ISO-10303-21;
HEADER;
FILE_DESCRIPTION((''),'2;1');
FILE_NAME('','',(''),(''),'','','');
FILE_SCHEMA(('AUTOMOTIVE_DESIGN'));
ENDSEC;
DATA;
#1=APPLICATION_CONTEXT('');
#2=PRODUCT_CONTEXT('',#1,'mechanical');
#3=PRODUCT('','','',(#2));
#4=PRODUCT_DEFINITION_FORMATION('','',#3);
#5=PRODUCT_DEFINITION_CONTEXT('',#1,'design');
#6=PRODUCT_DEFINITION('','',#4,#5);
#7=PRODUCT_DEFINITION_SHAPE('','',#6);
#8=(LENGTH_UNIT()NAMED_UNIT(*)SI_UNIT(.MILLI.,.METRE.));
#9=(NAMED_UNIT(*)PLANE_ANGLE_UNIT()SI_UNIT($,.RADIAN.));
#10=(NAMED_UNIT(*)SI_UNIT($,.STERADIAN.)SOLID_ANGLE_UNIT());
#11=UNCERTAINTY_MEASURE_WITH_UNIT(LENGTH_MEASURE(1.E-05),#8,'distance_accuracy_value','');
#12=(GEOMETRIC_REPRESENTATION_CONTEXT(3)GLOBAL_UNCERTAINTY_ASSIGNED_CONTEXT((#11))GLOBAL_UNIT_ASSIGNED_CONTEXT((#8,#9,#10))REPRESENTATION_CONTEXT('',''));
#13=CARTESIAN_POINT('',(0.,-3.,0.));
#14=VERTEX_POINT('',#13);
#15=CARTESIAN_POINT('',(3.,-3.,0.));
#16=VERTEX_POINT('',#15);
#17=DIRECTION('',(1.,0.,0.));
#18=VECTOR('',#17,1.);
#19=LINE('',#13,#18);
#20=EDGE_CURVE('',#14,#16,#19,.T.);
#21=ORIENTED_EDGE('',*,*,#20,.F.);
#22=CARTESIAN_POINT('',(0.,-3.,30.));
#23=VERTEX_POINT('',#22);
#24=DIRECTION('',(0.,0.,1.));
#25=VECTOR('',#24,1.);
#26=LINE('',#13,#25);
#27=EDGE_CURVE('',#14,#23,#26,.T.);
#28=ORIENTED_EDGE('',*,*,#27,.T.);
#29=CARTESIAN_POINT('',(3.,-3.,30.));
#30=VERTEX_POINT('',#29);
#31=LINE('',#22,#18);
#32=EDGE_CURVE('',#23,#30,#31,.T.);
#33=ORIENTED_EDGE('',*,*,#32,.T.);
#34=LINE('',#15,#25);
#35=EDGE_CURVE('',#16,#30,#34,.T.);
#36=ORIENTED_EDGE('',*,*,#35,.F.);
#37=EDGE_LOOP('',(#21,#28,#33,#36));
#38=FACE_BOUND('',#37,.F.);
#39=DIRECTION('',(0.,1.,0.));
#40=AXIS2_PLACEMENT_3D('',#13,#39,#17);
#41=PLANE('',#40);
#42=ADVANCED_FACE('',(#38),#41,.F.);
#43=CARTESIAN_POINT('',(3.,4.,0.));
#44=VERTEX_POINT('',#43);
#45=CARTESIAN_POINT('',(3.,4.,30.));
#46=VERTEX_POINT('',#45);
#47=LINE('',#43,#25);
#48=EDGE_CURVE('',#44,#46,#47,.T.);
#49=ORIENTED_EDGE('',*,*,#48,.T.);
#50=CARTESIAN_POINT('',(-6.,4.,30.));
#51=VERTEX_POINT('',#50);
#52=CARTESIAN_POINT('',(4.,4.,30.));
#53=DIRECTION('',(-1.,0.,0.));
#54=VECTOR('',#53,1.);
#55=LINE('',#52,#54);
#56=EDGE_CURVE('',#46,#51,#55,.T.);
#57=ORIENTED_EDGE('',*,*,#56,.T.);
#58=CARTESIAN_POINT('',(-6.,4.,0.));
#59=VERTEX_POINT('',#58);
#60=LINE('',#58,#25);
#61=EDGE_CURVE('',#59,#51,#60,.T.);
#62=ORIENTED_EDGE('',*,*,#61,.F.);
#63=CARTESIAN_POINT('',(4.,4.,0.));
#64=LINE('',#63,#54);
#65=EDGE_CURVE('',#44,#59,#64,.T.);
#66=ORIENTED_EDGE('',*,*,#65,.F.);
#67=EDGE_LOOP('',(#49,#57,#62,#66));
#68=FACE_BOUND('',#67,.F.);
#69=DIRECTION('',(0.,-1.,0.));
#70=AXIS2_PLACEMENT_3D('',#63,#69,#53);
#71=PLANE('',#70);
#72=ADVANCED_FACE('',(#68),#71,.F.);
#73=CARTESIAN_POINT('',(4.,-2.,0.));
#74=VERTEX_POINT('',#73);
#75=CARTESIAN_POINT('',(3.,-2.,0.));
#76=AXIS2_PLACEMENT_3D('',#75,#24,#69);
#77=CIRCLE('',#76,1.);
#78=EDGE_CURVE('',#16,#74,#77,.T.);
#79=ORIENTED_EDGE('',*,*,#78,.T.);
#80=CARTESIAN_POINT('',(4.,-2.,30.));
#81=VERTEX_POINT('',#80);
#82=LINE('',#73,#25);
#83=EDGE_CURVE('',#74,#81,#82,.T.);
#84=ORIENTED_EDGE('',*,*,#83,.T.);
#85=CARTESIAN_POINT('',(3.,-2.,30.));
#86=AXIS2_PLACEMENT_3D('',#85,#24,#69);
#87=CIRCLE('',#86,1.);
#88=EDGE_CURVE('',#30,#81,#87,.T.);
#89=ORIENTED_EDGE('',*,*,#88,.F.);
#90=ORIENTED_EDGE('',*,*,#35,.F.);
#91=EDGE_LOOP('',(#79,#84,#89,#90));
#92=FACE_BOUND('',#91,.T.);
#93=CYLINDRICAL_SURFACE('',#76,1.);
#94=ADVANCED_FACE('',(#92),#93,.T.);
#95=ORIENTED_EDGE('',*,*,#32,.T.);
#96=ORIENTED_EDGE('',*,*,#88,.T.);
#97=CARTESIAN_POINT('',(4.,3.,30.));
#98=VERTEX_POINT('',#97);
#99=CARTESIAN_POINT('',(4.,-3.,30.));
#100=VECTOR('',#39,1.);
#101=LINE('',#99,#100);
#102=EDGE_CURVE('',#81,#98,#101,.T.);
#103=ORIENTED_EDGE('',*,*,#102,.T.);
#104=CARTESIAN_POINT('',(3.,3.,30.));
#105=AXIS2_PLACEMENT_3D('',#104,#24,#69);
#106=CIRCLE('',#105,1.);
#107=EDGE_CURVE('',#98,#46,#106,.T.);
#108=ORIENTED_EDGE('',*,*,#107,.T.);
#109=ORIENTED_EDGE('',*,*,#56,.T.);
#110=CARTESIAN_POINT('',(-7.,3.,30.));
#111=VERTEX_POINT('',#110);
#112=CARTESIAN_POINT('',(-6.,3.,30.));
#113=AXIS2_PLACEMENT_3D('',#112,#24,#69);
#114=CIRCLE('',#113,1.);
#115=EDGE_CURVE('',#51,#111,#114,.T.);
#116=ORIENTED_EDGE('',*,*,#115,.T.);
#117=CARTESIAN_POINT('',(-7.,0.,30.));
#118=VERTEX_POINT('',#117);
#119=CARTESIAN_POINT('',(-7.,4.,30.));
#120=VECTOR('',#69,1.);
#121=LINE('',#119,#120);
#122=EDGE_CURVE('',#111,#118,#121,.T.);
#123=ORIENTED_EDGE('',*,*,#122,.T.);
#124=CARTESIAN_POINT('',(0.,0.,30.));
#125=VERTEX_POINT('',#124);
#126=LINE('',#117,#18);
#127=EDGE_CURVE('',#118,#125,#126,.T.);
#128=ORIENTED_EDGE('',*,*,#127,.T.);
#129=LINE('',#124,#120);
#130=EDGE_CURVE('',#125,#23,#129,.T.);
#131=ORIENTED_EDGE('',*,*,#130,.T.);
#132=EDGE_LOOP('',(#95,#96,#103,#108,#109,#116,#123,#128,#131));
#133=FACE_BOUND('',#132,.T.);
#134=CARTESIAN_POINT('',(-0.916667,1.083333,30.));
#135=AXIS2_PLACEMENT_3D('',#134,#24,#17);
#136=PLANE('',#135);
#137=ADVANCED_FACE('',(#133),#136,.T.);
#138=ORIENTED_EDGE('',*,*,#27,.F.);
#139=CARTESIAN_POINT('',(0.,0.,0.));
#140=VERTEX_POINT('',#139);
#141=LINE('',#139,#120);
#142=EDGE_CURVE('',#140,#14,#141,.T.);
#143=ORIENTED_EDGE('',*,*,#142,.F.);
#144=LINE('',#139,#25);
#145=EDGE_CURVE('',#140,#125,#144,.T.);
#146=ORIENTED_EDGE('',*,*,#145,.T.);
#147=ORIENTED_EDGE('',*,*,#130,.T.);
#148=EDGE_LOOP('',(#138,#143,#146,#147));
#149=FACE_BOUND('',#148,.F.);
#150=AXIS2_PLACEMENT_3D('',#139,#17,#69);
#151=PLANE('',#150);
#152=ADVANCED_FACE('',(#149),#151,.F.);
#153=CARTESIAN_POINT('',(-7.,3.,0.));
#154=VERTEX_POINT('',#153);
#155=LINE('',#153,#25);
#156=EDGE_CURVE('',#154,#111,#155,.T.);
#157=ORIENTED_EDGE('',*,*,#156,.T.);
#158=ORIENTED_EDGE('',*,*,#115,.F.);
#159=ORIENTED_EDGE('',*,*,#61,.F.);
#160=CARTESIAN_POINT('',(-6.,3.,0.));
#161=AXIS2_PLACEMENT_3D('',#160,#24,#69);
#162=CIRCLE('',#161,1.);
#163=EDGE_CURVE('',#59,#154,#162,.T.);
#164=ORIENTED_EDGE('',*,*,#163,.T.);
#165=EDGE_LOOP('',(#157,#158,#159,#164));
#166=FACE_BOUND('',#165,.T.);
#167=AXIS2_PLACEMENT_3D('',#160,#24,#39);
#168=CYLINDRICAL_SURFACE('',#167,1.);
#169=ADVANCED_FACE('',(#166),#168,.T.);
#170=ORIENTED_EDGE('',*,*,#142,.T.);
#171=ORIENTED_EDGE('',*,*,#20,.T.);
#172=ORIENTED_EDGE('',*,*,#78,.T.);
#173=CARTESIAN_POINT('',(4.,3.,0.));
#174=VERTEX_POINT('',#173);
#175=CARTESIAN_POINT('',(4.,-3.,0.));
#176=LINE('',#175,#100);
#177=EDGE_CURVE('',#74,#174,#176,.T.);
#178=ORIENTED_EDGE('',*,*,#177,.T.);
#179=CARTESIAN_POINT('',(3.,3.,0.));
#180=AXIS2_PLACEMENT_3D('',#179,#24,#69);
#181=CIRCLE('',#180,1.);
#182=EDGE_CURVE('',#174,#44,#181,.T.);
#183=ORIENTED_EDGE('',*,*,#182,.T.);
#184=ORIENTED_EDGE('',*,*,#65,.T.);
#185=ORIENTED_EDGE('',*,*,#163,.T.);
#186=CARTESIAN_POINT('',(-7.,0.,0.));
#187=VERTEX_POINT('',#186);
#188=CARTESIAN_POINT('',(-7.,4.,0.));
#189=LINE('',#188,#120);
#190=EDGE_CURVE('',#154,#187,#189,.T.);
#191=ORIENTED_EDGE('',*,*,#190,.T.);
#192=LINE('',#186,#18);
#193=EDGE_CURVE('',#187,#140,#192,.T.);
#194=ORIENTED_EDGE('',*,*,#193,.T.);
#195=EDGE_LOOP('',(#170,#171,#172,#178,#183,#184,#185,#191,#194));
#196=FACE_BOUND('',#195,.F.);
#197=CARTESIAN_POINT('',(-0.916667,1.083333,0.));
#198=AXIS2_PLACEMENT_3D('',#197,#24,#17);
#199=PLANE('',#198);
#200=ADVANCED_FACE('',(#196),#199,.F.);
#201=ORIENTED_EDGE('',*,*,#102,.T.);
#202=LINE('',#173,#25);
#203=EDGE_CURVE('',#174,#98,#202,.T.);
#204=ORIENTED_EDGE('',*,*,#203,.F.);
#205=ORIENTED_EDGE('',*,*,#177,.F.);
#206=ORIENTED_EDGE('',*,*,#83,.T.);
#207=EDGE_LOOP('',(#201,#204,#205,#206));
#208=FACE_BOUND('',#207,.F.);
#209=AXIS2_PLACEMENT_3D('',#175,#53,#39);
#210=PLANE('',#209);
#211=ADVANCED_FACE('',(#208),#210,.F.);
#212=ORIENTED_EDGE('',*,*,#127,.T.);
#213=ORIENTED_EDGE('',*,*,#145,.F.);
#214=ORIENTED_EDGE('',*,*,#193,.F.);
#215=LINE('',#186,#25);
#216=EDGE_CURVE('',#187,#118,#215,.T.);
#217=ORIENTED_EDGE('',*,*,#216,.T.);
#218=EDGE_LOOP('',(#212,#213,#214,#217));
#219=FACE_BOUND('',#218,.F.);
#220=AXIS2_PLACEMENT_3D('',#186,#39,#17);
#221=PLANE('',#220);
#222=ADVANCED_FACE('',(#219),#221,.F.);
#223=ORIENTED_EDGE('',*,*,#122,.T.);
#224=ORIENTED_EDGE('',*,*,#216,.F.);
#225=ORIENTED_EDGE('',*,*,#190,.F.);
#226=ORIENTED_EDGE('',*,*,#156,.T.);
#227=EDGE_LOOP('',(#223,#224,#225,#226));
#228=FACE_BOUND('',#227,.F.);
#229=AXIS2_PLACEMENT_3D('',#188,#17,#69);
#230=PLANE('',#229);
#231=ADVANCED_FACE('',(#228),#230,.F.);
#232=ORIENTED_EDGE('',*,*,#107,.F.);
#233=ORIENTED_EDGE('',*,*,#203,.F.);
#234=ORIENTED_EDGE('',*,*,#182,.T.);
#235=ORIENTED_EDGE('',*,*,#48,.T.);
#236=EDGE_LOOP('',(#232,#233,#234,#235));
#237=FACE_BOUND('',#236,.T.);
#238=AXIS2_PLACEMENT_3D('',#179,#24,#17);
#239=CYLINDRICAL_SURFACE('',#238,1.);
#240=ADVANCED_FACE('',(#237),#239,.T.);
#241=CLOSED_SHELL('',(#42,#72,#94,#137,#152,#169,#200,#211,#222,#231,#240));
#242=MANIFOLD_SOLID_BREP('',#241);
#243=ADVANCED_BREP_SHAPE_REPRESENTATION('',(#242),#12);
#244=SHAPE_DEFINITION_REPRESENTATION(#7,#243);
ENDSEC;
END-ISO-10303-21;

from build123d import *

# Parameters (mm, degrees)
F1_DEPTH = 30
F2_R     = 1


with BuildPart() as f1:
    # F0 (on Top) → F1 (new body)
    with BuildSketch(Plane.XY):
        Polygon((-7, 0), (0, 0), (0, -3), (4, -3), (4, 4), (-7, 4), align=None)
    extrude(amount=F1_DEPTH)

    # F2
    f2_edges = [f1.edges().sort_by_distance(p)[0] for p in [
        (4, -3, 15),
        (-7, 4, 15),
        (4, 4, 15),
    ]]
    fillet(f2_edges, radius=F2_R)


solid = f1.part
